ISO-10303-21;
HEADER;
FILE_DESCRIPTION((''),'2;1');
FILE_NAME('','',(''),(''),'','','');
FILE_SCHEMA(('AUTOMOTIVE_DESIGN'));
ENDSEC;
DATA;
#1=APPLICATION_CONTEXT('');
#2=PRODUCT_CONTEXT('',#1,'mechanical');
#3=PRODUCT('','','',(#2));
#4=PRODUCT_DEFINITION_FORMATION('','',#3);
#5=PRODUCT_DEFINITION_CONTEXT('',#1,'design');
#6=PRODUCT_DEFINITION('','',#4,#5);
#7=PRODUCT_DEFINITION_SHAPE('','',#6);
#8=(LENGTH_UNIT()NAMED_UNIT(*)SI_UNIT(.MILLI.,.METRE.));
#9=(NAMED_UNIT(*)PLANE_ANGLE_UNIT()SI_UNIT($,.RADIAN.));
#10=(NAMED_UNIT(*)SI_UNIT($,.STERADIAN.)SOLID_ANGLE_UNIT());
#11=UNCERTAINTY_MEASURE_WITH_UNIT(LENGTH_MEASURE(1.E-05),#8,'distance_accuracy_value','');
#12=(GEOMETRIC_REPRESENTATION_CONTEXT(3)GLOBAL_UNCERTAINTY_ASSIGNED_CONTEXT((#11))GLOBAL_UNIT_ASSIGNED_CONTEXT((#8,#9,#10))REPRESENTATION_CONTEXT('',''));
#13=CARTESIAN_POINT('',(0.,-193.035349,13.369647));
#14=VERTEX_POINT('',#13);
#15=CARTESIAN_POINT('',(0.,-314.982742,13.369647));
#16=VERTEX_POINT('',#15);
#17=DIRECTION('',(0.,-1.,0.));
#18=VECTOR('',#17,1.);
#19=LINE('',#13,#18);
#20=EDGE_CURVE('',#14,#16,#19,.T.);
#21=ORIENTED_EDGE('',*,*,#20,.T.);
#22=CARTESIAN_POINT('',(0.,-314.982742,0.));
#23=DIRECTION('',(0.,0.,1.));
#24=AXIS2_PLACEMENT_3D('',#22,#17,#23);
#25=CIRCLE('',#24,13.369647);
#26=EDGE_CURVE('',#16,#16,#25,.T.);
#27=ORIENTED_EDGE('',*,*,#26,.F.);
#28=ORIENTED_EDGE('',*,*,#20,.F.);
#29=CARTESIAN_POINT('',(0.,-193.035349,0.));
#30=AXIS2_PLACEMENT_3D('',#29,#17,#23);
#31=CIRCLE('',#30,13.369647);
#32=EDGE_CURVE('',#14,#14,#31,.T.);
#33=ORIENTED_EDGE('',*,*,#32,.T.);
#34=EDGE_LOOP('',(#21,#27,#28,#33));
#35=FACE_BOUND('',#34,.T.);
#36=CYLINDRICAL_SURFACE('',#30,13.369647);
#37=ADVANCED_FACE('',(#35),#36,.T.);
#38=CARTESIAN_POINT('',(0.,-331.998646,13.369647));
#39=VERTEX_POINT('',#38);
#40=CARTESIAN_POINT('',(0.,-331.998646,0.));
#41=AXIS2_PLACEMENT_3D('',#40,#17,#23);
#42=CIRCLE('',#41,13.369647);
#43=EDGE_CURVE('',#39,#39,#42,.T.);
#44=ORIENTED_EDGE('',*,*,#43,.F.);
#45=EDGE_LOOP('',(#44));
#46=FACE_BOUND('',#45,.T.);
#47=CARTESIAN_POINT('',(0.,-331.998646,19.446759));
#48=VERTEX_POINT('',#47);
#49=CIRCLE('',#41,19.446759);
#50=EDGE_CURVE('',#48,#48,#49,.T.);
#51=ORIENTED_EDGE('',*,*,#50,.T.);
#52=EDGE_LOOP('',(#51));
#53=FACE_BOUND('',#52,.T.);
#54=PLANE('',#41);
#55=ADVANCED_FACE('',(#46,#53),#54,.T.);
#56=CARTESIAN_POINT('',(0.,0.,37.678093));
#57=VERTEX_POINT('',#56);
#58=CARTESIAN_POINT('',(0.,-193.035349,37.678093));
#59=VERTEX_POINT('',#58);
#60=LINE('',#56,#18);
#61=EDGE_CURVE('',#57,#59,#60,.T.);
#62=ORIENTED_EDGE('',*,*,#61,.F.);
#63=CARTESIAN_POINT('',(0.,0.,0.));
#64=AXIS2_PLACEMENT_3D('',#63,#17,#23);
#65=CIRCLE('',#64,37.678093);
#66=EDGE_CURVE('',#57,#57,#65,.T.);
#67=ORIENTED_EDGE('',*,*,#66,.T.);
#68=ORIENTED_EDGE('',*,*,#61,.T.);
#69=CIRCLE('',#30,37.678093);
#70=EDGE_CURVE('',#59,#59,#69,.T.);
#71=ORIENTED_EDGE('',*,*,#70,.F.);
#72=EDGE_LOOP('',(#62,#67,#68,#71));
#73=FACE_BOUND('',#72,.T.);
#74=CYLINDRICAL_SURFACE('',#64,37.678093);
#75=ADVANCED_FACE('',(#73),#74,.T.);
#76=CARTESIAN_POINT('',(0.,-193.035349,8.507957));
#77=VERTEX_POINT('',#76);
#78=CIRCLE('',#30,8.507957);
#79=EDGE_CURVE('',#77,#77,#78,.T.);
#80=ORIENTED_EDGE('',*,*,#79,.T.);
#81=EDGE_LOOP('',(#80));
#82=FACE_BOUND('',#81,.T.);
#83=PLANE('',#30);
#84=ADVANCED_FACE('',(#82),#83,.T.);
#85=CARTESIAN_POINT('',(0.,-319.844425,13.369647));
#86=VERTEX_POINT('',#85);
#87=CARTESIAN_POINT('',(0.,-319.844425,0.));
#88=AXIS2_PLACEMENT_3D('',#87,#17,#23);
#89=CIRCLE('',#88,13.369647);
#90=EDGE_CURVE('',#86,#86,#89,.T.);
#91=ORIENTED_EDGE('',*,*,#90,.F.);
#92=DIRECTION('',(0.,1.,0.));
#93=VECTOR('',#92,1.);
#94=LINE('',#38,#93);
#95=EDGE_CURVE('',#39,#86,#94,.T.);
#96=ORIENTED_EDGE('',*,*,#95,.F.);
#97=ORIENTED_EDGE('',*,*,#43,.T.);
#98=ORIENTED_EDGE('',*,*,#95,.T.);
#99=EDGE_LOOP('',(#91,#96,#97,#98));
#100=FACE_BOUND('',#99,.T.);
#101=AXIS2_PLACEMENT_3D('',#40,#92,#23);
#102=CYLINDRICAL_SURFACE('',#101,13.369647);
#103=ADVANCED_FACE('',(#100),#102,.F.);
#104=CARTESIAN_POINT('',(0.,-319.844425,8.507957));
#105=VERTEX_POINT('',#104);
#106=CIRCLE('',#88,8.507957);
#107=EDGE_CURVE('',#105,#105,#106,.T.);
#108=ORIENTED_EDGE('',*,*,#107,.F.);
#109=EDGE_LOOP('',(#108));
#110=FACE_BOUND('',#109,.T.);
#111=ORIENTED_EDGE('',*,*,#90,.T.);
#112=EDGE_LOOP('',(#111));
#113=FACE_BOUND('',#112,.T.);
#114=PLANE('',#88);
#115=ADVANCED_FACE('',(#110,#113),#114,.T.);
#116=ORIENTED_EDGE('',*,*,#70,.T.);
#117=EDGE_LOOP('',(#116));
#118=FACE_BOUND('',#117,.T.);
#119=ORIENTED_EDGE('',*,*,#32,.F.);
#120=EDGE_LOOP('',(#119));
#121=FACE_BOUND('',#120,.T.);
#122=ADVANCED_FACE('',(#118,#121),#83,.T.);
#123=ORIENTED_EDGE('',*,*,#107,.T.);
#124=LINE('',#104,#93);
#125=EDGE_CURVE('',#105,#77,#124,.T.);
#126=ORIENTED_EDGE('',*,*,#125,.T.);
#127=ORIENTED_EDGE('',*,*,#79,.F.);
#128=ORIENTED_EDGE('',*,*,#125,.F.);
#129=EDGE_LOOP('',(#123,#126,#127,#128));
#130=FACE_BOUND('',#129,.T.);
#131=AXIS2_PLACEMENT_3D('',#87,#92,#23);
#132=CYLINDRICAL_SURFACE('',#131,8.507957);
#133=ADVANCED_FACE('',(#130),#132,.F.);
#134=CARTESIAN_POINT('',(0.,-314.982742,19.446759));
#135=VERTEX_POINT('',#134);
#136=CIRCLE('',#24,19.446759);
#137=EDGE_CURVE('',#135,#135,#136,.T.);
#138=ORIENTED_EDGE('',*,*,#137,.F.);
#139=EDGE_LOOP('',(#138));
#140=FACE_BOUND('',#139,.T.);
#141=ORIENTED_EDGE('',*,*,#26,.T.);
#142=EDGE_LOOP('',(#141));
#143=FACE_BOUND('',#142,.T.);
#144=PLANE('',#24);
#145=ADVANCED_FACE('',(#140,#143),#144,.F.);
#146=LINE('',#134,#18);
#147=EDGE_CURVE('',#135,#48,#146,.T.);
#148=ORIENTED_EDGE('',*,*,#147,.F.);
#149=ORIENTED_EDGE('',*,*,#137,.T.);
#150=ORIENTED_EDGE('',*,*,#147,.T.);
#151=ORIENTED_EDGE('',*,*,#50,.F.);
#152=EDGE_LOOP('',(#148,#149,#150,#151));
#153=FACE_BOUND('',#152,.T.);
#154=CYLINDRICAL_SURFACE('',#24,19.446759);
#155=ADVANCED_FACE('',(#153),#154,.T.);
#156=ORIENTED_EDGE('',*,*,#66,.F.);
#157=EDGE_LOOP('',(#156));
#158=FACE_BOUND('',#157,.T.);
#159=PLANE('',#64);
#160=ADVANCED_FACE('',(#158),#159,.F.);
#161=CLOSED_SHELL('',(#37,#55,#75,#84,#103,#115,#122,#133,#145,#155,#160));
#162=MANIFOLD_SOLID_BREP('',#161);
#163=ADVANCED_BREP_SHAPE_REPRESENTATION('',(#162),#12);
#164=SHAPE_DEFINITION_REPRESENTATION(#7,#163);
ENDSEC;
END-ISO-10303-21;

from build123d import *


with BuildPart() as f1:
    # F0 (on Right) → F1 (revolve)
    with BuildSketch(Plane.YZ):
        Polygon((0, 0), (0, 37.678093), (-193.035349, 37.678093), (-193.035349, 13.369647), (-193.035349, 8.507957), (-193.035349, 0), align=None)
        Polygon((-193.035349, 8.507957), (-193.035349, 13.369647), (-314.982742, 13.369647), (-314.982742, 19.446759), (-331.998646, 19.446759), (-331.998646, 13.369647), (-319.844425, 13.369647), (-319.844425, 8.507957), align=None)
    revolve(axis=Axis((0, -267.378695, 0), (0, -1, 0)))


solid = f1.part
